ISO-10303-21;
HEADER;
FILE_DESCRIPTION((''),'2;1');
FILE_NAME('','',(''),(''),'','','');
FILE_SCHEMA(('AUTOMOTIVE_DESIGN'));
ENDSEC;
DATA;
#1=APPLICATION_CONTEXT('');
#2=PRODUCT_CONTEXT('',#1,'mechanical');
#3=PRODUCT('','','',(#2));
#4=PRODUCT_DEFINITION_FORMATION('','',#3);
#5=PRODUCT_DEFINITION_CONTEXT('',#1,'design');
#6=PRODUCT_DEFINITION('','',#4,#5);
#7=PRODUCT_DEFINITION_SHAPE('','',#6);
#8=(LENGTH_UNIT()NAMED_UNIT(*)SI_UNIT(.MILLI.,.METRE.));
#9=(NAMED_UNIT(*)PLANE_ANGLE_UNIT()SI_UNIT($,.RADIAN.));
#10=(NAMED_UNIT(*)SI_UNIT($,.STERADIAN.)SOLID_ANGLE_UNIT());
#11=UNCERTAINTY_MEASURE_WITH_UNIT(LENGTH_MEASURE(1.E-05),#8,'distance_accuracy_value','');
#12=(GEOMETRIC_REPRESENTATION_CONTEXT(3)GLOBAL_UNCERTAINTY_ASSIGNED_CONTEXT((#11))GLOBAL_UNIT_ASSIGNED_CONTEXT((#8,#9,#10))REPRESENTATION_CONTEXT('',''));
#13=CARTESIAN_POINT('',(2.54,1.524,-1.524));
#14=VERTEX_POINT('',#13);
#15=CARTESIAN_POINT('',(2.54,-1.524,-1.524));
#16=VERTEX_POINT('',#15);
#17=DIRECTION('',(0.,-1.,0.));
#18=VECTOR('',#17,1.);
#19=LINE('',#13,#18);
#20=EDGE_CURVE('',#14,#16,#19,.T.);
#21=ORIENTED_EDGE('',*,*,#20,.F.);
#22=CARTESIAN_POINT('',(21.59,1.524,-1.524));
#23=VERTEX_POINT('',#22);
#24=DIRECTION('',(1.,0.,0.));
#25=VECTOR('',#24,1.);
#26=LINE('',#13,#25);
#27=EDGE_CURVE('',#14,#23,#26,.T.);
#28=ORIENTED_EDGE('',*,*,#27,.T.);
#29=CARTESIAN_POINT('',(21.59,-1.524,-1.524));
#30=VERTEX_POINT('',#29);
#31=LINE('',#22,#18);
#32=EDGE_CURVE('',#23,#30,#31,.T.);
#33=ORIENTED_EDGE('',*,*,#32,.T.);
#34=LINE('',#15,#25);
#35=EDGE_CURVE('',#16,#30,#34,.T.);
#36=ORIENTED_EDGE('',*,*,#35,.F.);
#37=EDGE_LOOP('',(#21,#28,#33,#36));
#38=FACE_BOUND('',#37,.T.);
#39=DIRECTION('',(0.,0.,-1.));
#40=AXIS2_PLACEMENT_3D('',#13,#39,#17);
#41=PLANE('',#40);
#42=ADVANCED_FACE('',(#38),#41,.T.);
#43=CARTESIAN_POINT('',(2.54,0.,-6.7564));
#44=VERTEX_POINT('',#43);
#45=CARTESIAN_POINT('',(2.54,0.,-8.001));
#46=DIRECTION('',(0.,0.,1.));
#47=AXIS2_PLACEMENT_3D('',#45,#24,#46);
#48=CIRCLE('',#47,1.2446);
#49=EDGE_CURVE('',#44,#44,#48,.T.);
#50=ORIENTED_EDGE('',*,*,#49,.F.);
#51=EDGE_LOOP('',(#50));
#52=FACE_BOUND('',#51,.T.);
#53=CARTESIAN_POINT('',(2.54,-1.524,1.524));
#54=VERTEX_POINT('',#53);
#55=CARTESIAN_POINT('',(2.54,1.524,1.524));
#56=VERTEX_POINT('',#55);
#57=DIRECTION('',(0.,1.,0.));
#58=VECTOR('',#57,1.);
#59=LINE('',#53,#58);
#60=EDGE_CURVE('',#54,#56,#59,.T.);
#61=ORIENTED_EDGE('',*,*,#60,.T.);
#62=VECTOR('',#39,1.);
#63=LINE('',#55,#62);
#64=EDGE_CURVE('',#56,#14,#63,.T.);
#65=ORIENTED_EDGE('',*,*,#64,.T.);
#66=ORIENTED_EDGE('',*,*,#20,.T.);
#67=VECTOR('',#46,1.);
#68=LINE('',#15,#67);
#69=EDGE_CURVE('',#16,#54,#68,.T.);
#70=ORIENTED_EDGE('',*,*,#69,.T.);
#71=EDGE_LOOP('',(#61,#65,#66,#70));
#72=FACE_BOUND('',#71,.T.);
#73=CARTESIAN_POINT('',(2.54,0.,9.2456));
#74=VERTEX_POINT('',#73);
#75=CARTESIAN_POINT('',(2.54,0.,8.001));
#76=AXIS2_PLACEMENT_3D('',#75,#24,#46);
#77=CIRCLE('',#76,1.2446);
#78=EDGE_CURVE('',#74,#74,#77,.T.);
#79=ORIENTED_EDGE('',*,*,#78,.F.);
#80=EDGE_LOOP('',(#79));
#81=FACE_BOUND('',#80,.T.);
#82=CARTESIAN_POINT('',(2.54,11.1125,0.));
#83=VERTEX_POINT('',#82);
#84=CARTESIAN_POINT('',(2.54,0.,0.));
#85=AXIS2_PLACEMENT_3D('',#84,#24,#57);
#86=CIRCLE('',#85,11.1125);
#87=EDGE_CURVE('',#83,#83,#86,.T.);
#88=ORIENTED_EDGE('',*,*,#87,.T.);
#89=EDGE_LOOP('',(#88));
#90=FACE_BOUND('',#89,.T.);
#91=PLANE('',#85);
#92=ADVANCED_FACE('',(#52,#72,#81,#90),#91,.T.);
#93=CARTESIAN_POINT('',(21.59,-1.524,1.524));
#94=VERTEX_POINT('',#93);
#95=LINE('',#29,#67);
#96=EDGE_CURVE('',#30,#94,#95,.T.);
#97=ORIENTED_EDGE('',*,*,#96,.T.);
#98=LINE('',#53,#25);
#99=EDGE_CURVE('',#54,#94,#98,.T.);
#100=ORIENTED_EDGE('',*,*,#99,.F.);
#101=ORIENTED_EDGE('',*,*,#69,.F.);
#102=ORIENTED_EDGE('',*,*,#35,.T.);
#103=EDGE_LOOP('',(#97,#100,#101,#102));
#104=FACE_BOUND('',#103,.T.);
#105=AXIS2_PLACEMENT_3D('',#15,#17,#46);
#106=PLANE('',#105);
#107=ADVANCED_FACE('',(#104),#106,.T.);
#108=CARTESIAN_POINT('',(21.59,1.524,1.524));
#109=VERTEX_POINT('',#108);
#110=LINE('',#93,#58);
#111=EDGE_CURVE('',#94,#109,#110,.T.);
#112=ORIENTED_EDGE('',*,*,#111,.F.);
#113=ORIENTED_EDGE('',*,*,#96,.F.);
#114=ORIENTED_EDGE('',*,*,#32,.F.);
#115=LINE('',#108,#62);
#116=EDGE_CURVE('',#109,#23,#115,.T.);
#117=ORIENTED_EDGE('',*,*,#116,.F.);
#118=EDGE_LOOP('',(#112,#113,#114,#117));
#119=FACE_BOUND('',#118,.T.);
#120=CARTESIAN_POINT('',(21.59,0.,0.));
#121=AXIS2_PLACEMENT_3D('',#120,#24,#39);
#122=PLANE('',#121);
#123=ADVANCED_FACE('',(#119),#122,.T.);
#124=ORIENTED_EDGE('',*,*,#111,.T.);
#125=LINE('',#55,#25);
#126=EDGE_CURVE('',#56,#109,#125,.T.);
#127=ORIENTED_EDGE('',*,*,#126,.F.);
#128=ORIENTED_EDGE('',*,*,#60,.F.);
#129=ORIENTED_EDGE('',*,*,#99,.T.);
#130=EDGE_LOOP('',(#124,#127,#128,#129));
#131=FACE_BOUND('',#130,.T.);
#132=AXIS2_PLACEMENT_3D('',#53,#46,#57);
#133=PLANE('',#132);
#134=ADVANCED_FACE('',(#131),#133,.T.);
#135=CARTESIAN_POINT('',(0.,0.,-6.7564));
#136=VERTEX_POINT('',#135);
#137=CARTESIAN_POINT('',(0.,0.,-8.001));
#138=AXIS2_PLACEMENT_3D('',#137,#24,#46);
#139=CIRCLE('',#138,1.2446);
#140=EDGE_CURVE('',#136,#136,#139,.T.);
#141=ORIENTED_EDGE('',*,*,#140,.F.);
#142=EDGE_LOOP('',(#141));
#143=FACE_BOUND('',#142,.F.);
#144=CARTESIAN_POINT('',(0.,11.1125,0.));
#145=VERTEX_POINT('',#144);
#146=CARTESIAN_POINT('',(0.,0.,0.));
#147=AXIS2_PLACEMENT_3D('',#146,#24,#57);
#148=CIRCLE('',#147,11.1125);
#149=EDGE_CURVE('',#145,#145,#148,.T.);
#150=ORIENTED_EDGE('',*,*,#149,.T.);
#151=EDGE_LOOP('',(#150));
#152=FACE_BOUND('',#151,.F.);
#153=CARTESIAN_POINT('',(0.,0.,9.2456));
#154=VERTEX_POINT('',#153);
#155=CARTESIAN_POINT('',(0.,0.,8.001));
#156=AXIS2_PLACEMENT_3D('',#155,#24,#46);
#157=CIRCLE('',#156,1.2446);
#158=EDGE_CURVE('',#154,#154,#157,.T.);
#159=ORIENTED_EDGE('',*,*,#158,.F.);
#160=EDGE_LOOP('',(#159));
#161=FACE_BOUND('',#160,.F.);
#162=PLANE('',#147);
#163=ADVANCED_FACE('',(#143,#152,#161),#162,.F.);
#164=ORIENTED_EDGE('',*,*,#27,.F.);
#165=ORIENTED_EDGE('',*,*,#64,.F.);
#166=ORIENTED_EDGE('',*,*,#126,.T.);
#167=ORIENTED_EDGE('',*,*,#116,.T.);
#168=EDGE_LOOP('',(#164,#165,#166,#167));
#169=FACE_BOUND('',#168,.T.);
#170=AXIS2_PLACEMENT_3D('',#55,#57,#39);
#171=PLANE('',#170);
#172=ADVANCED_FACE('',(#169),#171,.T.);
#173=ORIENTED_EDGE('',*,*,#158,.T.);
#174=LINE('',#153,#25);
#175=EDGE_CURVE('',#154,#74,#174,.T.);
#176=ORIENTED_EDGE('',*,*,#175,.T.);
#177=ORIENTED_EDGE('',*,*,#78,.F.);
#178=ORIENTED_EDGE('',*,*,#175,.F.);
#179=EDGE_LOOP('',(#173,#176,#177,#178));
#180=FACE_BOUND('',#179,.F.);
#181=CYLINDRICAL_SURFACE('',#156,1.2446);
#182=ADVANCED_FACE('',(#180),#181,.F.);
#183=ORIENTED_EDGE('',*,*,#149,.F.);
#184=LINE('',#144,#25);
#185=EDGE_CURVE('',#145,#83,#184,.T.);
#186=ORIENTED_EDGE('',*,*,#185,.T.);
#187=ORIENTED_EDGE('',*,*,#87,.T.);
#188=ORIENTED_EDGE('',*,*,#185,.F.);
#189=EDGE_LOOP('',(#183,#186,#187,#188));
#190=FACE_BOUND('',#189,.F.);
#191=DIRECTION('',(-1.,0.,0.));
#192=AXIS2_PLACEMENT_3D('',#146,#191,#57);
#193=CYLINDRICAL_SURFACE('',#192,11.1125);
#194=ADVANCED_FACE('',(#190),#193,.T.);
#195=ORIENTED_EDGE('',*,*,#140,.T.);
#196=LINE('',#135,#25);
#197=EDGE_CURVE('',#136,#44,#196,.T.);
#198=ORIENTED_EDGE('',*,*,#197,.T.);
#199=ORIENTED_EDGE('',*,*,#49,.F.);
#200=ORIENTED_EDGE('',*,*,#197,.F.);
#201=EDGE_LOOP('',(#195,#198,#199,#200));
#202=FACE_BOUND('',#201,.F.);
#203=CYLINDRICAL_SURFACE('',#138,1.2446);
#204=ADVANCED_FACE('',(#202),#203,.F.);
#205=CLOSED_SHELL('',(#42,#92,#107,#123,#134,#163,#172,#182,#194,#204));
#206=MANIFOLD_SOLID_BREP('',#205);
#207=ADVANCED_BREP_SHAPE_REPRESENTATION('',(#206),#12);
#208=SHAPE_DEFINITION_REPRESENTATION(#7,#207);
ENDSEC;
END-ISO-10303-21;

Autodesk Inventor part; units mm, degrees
ref_plane "YZ Plane" through (0, 0, 0) normal (1, 0, 0) x (0, 1, 0)
ref_plane "XZ Plane" through (0, 0, 0) normal (0, 1, 0) x (-1, 0, 0)
ref_plane "XY Plane" through (0, 0, 0) normal (0, 0, 1) x (1, 0, 0)
sketch "Sketch1" plane through (0, 0, 0) normal (1, 0, 0) x (0, 1, 0)
  circle A0 centre (0, 0) radius 11.1125
  dimension "d0" = 22.225
extrude "Extrusion1" add sketch "Sketch1" along normal blind 2.54
sketch "Sketch2" plane through (2.54, 0, 0) normal (1, 0, 0) x (0, 0, -1)
  line L0 (-1.524, 1.524) -> (1.524, 1.524)
  line L1 (1.524, 1.524) -> (1.524, -1.524)
  line L2 (1.524, -1.524) -> (-1.524, -1.524)
  line L3 (-1.524, -1.524) -> (-1.524, 1.524)
  point P0 (0, 0)
  dimension "d3" = 3.048
  dimension "d4" = 3.048
  dimension "d5" = 1.524
  dimension "d6" = 1.524
extrude "Extrusion2" add sketch "Sketch2" along normal blind 19.05
sketch "Sketch3" plane through (0, 0, 0) normal (-1, 0, 0) x (0, 0, 1)
  point P0 (0, 0)
  point P1 (-8.001, 0)
  point P2 (8.001, 0)
  dimension "d9" = 16.002
  dimension "d10" = 8.001
hole "Hole1" at (0, 0, 8.001) at (0, 0, -8.001) direction (1, 0, 0) diameter 2.4892 depth 2.54
equation "\"d4\" = d3"
equation "\"d5\" = 0.5 * d4"
equation "\"d6\" = 0.5 * d3"
equation "\"d10\" = 0.5 * d9"
properties part number "vex servo addapter" material "Aluminum 6061"
